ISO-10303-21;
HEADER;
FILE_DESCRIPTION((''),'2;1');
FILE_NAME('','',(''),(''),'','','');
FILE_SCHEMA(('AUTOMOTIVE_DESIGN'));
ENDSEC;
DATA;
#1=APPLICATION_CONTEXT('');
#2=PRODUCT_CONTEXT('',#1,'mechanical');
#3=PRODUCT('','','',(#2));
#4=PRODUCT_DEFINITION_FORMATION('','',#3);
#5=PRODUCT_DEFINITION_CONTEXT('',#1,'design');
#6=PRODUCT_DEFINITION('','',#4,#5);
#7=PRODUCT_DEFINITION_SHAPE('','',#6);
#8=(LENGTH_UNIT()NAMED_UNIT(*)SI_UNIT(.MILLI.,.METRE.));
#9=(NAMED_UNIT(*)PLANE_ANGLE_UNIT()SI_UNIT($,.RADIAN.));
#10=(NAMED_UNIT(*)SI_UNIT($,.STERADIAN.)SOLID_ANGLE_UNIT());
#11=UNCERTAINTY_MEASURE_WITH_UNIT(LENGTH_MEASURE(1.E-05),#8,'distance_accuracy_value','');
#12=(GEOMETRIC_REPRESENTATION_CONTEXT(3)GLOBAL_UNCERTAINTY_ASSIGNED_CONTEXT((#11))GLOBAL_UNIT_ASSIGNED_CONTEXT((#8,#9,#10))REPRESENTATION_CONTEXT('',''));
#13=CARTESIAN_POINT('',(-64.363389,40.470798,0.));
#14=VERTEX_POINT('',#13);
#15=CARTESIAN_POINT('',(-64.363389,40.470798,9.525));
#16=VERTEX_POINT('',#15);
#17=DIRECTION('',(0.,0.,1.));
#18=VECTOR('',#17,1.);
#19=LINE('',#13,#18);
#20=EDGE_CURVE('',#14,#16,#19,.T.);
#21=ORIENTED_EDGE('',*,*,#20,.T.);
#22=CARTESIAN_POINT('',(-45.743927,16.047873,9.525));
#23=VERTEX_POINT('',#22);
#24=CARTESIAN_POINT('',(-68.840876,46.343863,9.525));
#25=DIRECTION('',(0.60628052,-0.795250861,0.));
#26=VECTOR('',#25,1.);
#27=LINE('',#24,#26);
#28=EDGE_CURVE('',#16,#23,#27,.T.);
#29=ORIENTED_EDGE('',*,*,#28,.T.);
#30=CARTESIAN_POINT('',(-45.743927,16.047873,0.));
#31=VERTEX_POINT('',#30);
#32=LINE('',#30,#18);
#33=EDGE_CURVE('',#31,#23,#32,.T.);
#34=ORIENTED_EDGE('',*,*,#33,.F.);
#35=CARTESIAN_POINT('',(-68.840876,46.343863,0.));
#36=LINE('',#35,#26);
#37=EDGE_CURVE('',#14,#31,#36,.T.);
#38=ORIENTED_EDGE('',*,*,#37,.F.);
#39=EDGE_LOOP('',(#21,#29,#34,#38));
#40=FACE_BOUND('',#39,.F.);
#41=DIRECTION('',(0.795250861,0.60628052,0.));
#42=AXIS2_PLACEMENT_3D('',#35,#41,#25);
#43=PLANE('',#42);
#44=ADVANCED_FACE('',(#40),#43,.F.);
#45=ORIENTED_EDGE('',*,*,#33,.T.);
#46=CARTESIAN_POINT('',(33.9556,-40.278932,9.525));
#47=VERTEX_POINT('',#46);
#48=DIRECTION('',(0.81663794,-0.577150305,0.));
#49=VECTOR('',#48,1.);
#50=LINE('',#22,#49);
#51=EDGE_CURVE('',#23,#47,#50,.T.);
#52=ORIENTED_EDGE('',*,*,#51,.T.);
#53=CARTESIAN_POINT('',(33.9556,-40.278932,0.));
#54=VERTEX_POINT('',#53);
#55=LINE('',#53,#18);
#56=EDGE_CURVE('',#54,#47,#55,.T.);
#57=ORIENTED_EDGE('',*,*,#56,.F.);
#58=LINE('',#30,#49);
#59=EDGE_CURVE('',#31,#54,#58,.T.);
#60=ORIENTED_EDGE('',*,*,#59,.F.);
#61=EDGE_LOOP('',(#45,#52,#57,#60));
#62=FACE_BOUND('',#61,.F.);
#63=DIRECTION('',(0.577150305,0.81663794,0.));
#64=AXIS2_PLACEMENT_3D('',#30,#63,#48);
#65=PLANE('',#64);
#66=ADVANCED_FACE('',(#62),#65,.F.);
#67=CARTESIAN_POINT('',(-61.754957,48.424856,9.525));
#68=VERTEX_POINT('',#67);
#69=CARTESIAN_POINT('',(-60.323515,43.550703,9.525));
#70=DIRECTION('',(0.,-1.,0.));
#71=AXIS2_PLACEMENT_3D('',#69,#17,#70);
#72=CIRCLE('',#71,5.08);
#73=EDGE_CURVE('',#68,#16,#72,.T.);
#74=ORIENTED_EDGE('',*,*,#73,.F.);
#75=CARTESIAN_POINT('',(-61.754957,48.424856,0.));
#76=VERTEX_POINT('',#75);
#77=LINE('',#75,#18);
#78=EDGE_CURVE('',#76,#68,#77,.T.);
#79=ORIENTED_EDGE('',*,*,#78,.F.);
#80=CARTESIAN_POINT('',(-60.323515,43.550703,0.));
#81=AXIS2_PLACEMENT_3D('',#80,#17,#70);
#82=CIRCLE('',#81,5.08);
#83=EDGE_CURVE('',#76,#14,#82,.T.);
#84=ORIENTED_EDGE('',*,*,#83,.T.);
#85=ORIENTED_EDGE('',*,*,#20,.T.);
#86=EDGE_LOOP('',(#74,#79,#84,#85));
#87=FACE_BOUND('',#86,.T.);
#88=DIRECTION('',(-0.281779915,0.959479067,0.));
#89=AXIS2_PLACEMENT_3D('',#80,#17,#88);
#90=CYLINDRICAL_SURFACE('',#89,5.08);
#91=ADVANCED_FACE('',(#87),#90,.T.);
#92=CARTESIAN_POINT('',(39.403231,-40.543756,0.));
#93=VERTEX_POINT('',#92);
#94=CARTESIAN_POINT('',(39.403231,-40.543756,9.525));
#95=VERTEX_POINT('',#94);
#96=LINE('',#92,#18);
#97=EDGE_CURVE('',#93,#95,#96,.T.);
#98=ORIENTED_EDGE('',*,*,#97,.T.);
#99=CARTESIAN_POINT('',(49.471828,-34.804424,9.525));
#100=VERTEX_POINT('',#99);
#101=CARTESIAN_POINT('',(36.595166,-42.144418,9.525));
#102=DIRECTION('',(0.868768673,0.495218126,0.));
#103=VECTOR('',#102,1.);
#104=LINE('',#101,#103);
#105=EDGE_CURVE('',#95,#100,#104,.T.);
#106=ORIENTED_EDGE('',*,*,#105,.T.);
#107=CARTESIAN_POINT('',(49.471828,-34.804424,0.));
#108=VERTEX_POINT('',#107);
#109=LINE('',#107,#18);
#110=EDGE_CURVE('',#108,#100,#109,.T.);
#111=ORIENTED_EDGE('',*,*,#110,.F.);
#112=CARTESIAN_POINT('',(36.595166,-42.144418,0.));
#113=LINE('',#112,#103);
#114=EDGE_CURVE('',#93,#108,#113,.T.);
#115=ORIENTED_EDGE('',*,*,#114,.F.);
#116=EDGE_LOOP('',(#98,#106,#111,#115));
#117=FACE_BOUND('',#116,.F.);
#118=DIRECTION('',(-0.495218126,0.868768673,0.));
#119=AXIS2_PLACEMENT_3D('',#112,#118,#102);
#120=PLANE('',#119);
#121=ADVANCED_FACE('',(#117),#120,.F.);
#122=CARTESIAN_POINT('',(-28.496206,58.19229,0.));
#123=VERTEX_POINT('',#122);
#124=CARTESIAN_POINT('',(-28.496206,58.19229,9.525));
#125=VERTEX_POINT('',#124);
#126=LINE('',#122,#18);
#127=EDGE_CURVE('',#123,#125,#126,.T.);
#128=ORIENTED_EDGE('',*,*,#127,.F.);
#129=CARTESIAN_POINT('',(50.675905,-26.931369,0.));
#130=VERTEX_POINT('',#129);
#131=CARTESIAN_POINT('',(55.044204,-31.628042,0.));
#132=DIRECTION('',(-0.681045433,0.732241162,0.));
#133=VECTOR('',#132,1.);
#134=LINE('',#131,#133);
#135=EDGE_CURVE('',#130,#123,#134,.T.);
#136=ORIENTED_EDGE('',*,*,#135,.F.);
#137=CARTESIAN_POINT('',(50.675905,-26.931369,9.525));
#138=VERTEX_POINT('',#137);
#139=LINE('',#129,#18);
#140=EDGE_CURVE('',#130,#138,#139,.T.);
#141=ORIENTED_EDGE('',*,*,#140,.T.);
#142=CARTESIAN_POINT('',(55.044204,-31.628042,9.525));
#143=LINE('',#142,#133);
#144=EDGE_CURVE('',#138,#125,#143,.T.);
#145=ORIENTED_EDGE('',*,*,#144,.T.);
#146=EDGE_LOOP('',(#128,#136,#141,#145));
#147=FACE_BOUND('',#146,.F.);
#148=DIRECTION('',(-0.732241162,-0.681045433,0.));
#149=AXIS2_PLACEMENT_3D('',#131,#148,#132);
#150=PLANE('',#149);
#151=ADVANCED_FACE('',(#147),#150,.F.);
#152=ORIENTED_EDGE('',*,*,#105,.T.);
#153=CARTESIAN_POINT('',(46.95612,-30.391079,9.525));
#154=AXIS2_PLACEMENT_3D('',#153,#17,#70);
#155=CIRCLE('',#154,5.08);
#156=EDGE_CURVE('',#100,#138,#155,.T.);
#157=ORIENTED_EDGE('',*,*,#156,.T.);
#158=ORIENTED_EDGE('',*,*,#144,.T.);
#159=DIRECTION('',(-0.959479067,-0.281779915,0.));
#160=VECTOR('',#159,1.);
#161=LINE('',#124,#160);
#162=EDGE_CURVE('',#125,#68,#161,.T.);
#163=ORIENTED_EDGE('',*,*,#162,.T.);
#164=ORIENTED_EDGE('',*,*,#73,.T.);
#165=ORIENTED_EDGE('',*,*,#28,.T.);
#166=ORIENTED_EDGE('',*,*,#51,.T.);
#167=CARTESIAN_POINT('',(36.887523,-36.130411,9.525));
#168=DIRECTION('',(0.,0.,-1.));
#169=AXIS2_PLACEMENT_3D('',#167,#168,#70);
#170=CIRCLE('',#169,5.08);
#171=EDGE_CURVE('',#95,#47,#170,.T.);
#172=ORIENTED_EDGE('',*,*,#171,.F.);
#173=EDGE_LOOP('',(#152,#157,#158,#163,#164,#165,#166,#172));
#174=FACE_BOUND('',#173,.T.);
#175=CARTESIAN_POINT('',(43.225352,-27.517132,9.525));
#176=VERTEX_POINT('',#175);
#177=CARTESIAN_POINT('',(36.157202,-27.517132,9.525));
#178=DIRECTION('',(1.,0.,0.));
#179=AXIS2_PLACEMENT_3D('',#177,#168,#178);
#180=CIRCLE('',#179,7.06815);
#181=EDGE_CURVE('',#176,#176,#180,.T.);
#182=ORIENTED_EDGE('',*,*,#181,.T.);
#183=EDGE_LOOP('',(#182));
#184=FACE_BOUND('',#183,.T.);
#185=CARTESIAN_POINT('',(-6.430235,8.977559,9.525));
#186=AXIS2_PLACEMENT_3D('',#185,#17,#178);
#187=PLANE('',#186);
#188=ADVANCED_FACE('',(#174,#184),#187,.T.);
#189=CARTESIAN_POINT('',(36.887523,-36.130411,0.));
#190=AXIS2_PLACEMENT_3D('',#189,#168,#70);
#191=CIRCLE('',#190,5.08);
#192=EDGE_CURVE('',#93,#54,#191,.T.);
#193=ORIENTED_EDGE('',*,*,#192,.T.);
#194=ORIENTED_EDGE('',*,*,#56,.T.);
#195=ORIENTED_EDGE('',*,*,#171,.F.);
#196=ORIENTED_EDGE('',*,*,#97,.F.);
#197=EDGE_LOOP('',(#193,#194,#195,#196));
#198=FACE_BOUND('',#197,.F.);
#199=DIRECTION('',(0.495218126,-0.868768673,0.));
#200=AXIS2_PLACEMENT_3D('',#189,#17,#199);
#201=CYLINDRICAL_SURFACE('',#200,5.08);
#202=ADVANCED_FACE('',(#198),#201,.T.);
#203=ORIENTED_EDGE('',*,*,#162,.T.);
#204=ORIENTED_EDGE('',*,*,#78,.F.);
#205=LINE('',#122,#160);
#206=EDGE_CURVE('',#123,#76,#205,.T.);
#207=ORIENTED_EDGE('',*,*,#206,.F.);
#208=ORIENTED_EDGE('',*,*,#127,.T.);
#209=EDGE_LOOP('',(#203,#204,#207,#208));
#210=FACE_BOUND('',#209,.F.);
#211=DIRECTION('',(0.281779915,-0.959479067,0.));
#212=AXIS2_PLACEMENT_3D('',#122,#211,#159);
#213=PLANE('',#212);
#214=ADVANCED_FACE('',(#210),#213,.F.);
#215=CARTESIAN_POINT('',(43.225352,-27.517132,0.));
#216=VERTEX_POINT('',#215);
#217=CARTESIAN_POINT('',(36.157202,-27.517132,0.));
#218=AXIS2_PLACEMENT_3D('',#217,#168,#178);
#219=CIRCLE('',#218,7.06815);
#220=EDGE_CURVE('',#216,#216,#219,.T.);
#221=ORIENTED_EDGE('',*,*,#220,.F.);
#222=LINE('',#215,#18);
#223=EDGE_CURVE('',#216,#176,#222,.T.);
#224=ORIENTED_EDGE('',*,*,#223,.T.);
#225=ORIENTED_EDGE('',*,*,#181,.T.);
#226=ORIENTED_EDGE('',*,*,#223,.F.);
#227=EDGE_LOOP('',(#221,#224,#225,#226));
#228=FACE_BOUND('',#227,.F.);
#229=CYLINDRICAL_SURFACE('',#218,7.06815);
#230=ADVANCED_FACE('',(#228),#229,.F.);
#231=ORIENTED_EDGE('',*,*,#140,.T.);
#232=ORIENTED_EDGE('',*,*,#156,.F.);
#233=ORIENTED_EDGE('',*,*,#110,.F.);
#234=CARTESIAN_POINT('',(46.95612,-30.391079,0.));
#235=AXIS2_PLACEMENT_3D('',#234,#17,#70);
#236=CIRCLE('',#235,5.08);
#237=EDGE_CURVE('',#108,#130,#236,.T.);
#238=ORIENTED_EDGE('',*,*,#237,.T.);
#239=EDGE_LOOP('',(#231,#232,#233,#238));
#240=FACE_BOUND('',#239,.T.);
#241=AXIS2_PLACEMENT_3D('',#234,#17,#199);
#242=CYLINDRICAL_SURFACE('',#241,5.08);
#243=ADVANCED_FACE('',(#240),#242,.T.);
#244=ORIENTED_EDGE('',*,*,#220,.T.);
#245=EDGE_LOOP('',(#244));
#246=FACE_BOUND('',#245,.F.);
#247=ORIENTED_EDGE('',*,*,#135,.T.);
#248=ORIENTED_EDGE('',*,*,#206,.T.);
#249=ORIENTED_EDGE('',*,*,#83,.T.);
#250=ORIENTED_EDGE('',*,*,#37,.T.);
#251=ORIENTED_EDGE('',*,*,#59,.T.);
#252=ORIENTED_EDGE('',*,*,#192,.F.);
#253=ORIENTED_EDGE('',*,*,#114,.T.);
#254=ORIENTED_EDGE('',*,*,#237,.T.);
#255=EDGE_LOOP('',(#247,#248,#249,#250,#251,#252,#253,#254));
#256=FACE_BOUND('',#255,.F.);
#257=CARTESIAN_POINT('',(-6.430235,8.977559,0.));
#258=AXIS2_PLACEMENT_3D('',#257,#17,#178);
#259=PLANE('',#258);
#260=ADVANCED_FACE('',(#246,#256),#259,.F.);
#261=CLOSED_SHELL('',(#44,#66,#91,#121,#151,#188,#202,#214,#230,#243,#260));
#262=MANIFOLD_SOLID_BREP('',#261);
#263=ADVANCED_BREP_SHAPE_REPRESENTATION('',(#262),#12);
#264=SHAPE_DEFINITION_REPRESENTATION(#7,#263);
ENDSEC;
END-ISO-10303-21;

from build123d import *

# Parameters (mm, degrees)
F1_DEPTH = 9.525
F2_R     = 5.08
F3_R     = 5.08
F4_R     = 5.08
F5_R     = 7.06815
F6_DEPTH = 75.62089


with BuildPart() as f1:
    # F0 (on Top) → F1 (new body)
    with BuildSketch(Plane.XY):
        Polygon((36.595166, -42.144418), (55.044204, -31.628042), (-28.496206, 58.19229), (-68.840876, 46.343863), (-45.743927, 16.047873), align=None)
    extrude(amount=F1_DEPTH)

    # F2
    f2_edges = [f1.edges().sort_by_distance(p)[0] for p in [
        (-68.840876, 46.343863, 4.7625),
    ]]
    fillet(f2_edges, radius=F2_R)

    # F3
    f3_edges = [f1.edges().sort_by_distance(p)[0] for p in [
        (36.595166, -42.144418, 4.7625),
    ]]
    fillet(f3_edges, radius=F3_R)

    # F4
    f4_edges = [f1.edges().sort_by_distance(p)[0] for p in [
        (55.044204, -31.628042, 4.7625),
    ]]
    fillet(f4_edges, radius=F4_R)

    # F5 (on face) → F6 (cut)
    with BuildSketch(Plane(origin=(0, 0, 0), x_dir=(1, 0, 0), z_dir=(0, 0, -1))):
        with Locations((36.157202, 27.517132)):
            Circle(F5_R)
    extrude(amount=-F6_DEPTH, mode=Mode.SUBTRACT)


solid = f1.part
